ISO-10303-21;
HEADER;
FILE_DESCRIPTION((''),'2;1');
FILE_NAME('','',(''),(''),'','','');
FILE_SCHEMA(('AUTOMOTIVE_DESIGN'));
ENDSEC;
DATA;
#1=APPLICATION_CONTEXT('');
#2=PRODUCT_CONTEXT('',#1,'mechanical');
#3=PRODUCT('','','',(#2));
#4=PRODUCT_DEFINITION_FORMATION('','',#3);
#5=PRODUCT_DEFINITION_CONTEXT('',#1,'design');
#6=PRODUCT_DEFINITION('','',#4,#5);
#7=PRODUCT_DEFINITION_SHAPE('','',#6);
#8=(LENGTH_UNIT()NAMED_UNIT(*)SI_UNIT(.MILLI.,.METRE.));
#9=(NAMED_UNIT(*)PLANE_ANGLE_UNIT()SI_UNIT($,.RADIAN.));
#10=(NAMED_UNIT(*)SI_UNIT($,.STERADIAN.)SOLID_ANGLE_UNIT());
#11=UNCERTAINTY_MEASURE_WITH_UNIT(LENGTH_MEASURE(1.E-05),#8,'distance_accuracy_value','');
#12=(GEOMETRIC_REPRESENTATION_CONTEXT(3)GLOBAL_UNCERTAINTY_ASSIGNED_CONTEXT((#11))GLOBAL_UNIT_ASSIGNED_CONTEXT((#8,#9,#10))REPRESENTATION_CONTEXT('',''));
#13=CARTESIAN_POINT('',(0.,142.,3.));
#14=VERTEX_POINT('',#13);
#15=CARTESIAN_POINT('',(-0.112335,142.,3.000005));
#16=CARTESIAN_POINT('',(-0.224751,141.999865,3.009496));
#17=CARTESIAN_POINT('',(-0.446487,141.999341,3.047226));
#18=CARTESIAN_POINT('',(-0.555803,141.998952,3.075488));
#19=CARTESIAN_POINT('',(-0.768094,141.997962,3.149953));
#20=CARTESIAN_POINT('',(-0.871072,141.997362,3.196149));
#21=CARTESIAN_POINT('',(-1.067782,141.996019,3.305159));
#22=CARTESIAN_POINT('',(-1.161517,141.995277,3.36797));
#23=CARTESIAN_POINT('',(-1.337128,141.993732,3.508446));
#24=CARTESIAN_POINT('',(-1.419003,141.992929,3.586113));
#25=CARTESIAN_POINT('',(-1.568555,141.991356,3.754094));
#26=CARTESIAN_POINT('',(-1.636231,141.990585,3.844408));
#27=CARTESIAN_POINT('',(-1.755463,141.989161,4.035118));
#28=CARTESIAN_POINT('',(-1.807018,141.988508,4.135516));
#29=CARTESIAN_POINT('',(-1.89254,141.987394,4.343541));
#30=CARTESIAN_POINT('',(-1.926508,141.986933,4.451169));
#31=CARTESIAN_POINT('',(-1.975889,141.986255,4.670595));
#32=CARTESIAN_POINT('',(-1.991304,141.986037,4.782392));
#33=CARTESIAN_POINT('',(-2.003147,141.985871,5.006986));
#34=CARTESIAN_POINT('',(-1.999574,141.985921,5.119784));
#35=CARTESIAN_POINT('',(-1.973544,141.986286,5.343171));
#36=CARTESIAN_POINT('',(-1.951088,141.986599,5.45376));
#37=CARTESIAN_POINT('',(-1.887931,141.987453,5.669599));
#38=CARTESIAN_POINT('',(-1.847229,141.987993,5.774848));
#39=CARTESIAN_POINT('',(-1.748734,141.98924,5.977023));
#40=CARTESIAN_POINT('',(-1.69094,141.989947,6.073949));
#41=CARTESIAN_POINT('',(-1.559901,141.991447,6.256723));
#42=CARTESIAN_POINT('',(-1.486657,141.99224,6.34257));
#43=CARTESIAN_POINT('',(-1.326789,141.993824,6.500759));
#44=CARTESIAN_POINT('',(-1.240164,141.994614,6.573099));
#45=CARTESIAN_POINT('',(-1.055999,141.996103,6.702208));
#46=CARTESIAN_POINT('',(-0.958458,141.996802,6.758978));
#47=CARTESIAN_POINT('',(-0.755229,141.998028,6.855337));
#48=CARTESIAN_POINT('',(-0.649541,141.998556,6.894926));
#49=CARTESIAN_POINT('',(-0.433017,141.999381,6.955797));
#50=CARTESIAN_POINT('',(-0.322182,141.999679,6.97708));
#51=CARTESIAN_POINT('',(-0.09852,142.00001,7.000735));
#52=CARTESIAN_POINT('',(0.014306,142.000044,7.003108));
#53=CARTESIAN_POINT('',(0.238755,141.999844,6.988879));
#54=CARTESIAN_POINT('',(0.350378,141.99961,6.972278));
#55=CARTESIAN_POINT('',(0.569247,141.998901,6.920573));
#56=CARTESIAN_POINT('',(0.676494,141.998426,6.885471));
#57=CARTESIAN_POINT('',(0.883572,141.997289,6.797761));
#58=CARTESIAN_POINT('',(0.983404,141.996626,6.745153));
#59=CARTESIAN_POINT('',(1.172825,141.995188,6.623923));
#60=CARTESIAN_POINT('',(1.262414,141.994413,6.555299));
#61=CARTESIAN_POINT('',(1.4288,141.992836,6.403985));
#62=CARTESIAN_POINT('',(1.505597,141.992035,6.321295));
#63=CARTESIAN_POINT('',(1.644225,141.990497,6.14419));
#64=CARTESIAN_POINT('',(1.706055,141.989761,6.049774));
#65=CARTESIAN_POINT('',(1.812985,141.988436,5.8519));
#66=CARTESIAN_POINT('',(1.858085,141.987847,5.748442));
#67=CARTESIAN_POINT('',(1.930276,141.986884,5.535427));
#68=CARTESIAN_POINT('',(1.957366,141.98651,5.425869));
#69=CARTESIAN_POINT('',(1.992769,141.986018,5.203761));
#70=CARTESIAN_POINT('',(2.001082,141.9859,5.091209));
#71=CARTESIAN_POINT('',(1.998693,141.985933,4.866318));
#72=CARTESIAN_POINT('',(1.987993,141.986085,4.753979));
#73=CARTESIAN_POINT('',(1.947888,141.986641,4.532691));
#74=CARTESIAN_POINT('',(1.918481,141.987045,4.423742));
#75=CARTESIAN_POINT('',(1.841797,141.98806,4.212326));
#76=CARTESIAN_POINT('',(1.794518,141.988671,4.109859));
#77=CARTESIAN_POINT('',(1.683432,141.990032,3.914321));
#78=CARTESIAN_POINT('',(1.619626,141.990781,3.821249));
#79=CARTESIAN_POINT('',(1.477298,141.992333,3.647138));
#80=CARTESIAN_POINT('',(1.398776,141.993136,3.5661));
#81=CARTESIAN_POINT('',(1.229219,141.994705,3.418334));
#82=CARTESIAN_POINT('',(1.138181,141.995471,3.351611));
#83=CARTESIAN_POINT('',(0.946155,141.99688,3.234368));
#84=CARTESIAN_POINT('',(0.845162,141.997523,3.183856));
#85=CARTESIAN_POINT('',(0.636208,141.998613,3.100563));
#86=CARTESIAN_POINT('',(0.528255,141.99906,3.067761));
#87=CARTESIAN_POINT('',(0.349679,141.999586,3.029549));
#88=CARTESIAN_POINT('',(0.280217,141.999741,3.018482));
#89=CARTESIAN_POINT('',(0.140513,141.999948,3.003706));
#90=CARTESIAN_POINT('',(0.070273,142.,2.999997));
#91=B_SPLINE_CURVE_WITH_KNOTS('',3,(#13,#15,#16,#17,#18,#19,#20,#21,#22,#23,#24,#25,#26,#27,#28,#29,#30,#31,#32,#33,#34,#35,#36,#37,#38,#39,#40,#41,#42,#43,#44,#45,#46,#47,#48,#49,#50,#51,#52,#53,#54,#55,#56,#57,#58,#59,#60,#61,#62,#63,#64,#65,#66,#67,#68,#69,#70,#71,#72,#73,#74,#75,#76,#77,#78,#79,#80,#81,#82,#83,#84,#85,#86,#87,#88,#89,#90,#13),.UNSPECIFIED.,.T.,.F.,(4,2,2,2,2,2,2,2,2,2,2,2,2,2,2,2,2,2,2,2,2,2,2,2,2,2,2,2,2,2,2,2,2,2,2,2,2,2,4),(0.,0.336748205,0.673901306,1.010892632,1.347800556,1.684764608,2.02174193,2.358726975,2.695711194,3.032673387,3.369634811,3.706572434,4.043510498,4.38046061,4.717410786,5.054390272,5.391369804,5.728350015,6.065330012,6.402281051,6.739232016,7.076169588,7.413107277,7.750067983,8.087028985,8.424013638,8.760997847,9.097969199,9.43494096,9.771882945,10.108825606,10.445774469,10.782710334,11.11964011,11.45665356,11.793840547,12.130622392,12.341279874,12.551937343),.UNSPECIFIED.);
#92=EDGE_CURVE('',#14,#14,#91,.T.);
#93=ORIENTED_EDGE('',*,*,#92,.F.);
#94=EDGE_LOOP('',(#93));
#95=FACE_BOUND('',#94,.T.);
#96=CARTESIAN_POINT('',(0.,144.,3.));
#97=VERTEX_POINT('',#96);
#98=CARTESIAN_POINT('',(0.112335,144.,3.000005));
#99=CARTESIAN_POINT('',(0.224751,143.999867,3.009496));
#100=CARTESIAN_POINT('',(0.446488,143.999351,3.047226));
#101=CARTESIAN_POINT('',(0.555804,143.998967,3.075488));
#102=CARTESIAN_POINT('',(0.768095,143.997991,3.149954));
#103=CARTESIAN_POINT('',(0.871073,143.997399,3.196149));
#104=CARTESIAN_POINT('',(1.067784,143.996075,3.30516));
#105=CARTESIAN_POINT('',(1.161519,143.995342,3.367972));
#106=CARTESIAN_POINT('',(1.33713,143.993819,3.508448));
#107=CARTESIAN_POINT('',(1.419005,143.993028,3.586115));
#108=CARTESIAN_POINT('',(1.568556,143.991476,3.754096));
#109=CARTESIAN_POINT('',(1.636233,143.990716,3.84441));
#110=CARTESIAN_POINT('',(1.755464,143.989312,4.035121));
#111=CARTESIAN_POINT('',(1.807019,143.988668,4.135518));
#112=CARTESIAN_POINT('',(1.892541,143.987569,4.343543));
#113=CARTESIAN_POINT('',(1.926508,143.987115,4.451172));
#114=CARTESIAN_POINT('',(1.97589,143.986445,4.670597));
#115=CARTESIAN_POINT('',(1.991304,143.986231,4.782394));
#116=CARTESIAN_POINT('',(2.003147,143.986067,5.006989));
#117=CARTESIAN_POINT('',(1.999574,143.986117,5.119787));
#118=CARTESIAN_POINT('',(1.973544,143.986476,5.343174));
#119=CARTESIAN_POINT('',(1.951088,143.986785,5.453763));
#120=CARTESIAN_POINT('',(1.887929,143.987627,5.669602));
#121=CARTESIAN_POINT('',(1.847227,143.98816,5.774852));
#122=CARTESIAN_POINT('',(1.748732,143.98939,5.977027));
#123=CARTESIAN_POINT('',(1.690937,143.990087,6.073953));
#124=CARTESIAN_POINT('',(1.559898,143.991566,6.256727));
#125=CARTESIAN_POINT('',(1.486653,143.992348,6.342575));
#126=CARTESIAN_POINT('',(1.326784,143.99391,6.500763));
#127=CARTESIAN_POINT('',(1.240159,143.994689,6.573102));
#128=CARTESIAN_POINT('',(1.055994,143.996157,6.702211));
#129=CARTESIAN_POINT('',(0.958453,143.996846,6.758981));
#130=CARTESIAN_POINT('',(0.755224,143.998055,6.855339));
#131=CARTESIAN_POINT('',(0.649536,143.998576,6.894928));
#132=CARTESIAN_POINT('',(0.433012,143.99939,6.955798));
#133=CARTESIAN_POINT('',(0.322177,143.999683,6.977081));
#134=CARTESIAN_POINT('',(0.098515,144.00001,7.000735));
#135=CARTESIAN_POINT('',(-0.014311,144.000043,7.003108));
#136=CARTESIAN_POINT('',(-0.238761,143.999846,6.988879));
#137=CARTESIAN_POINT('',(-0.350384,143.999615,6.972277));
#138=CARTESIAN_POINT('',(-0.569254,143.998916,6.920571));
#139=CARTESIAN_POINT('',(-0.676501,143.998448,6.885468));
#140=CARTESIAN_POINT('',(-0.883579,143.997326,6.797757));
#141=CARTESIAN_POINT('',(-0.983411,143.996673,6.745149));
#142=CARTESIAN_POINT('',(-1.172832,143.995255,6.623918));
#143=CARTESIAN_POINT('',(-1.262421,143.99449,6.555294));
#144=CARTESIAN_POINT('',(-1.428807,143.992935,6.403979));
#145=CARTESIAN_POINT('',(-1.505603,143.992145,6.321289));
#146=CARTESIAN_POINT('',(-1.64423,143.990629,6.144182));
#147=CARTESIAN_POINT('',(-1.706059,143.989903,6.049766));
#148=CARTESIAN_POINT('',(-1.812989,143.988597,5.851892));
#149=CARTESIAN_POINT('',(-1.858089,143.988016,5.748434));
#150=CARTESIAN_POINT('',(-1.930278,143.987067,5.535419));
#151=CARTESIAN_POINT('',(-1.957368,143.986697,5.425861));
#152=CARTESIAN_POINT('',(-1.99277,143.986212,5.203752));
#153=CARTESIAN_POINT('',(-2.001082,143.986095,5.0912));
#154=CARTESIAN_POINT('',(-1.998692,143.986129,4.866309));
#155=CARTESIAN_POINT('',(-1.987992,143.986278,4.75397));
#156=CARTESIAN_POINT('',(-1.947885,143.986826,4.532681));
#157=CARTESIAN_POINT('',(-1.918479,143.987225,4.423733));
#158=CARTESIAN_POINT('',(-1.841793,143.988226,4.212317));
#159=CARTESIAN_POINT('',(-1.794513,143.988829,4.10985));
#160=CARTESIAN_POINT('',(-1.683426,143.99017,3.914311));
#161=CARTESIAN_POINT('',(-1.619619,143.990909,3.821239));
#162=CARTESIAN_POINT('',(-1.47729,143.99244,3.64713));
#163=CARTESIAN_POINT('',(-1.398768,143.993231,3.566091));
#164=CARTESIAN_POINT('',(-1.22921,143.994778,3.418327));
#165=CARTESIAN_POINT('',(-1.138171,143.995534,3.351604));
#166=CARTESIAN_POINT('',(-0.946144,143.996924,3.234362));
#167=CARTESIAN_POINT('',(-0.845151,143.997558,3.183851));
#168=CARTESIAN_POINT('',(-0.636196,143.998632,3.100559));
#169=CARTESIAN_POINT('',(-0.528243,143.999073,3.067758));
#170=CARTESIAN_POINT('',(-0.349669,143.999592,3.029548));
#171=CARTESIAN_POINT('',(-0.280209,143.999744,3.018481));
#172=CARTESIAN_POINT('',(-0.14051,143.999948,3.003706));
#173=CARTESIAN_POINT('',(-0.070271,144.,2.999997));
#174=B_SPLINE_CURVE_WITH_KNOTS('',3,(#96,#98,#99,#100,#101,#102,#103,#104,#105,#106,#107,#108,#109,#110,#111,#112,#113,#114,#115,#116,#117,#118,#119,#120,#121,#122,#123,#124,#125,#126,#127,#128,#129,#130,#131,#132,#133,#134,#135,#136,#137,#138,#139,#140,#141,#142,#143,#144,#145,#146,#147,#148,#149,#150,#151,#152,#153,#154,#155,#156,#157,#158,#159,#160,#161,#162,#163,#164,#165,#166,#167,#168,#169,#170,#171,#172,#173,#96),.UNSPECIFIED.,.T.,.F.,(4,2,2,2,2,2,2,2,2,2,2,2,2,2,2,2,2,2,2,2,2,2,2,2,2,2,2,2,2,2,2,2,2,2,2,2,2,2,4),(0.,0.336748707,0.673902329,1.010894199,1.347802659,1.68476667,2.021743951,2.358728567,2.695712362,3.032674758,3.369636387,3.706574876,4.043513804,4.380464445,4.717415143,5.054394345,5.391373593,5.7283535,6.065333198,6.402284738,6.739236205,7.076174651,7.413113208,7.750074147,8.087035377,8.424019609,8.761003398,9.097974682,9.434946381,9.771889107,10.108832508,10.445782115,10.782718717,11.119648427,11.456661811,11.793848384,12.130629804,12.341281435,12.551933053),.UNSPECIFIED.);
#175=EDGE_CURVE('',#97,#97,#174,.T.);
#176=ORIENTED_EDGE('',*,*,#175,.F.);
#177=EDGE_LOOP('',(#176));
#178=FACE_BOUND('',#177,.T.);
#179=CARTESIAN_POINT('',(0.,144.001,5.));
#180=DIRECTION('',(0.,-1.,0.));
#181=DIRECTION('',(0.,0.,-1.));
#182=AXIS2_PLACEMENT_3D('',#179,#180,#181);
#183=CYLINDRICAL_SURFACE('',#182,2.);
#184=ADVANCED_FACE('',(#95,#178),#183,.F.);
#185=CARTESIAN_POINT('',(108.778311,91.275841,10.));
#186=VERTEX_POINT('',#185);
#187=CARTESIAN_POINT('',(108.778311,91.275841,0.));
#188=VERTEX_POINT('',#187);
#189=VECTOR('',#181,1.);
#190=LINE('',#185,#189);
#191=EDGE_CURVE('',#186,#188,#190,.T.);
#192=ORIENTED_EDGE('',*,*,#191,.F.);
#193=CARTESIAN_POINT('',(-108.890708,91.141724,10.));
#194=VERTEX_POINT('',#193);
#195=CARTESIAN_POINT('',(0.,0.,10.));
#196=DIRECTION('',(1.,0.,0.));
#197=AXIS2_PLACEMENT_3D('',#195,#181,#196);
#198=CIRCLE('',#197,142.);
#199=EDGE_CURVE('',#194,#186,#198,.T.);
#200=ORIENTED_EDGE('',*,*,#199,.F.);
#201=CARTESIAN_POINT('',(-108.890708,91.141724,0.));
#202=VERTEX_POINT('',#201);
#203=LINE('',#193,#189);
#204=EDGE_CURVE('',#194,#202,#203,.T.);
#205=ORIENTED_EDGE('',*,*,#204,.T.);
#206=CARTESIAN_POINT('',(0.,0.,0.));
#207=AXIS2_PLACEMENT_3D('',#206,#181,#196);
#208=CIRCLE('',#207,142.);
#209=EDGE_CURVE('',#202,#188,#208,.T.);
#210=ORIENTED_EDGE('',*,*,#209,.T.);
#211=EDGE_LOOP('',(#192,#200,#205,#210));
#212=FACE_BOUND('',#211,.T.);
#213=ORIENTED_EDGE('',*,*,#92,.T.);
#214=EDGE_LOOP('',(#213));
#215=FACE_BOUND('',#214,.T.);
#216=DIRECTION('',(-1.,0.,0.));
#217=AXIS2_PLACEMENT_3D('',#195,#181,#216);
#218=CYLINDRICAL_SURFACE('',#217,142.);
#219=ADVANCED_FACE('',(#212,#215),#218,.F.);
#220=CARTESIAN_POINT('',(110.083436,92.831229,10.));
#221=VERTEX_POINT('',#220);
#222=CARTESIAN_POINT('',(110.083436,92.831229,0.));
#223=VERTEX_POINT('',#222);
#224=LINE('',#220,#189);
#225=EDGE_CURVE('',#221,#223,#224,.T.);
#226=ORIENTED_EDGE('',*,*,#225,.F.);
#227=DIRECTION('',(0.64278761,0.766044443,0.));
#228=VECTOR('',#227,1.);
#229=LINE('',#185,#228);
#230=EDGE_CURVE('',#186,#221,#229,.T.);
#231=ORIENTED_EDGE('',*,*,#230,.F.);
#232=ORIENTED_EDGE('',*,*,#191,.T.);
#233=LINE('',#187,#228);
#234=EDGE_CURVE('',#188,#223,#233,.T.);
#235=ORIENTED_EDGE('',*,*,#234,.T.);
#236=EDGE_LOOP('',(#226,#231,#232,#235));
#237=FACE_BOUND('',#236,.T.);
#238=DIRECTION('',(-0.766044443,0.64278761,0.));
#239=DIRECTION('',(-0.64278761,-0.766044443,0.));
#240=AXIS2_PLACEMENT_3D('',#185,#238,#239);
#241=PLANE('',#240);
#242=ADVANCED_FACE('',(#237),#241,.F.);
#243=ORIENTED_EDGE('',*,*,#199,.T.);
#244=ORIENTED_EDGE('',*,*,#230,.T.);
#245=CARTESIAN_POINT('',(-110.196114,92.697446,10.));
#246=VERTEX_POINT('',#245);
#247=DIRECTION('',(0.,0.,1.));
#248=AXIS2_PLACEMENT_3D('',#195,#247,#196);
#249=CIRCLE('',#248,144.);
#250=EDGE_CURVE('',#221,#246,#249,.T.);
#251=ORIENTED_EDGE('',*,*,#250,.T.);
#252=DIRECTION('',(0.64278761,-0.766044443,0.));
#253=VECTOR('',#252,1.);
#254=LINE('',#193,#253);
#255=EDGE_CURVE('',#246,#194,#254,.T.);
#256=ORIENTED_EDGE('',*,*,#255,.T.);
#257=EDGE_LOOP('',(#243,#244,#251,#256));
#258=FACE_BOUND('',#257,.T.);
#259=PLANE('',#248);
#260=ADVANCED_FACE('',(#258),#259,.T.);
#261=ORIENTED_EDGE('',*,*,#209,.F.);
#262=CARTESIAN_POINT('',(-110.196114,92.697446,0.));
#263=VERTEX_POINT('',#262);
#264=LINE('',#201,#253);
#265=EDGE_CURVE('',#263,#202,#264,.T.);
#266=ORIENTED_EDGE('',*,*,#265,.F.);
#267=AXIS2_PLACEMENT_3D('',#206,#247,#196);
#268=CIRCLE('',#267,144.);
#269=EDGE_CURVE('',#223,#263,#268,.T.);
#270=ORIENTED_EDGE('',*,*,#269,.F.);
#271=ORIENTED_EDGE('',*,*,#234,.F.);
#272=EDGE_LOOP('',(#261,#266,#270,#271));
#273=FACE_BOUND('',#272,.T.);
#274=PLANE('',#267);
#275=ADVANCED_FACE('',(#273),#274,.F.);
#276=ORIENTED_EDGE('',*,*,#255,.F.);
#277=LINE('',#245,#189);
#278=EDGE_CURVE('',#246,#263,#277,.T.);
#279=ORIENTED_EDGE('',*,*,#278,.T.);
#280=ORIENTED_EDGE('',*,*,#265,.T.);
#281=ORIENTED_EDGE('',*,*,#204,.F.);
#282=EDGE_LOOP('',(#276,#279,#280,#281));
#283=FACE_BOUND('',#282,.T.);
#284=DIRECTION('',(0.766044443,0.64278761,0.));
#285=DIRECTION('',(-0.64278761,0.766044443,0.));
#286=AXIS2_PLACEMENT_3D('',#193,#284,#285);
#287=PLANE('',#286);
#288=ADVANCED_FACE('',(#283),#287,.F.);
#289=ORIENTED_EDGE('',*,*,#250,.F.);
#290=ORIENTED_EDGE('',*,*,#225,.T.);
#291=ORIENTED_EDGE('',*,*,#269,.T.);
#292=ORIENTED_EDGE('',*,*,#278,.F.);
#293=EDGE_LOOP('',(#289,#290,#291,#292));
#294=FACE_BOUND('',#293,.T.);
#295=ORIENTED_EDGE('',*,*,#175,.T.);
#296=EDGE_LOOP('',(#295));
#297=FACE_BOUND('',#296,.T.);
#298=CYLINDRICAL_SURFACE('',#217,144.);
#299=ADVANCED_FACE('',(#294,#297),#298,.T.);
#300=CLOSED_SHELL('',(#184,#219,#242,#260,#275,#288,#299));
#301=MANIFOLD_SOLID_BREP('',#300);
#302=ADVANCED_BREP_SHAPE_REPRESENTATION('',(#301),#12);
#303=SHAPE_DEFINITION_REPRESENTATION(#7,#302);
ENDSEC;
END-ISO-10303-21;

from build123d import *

# Parameters (mm, degrees)
BOSS_EXTRU_1_DEPTH           = 10
ENL_V_MAT_EXTRU_1_REACH      = 183.602
ENL_V_MAT_EXTRU_1_END_RADIUS = 144
ESQUISSE3_R                  = 2


with BuildPart() as part:
    # Esquisse2 → Boss.-Extru.1 (new body)
    with BuildSketch(Plane.XY):
        with BuildLine():
            Line((-108.89070765, 91.141723636), (-110.196113775, 92.697446075))
            ThreePointArc((-110.196113775, 92.697446075), (-0.087455631, 143.999973443), (110.083436481, 92.831228649))
            Line((110.083436481, 92.831228649), (108.778310923, 91.275840575))
            ThreePointArc((108.778310923, 91.275840575), (-0.087493397, 141.999973045), (-108.89070765, 91.141723636))
        make_face()
    extrude(amount=BOSS_EXTRU_1_DEPTH)

    # Enlèv. mat.-Extru.1: up to this cylinder (the profile starts inside it)
    enl_v_mat_extru_1_end = Plane(origin=(0, 0, 5), z_dir=(0, 0, -1)) * Cylinder(ENL_V_MAT_EXTRU_1_END_RADIUS, 656.204, mode=Mode.PRIVATE)
    # Esquisse3 → Enlèv. mat.-Extru.1 (cut, up to the surface)
    with BuildSketch(Plane(origin=(0, 0, 0), x_dir=(1, 0, 0), z_dir=(0, 1, 0)), mode=Mode.PRIVATE) as enl_v_mat_extru_1_sk1:
        with Locations(Location((0, -5, 0), (0, 0, 90))):
            Circle(ESQUISSE3_R)
    enl_v_mat_extru_1_tool1 = extrude(enl_v_mat_extru_1_sk1.sketch, amount=ENL_V_MAT_EXTRU_1_REACH, mode=Mode.PRIVATE) & enl_v_mat_extru_1_end
    add(enl_v_mat_extru_1_tool1.solids().sort_by_distance((0, 0, 5))[0], mode=Mode.SUBTRACT)


solid = part.part
